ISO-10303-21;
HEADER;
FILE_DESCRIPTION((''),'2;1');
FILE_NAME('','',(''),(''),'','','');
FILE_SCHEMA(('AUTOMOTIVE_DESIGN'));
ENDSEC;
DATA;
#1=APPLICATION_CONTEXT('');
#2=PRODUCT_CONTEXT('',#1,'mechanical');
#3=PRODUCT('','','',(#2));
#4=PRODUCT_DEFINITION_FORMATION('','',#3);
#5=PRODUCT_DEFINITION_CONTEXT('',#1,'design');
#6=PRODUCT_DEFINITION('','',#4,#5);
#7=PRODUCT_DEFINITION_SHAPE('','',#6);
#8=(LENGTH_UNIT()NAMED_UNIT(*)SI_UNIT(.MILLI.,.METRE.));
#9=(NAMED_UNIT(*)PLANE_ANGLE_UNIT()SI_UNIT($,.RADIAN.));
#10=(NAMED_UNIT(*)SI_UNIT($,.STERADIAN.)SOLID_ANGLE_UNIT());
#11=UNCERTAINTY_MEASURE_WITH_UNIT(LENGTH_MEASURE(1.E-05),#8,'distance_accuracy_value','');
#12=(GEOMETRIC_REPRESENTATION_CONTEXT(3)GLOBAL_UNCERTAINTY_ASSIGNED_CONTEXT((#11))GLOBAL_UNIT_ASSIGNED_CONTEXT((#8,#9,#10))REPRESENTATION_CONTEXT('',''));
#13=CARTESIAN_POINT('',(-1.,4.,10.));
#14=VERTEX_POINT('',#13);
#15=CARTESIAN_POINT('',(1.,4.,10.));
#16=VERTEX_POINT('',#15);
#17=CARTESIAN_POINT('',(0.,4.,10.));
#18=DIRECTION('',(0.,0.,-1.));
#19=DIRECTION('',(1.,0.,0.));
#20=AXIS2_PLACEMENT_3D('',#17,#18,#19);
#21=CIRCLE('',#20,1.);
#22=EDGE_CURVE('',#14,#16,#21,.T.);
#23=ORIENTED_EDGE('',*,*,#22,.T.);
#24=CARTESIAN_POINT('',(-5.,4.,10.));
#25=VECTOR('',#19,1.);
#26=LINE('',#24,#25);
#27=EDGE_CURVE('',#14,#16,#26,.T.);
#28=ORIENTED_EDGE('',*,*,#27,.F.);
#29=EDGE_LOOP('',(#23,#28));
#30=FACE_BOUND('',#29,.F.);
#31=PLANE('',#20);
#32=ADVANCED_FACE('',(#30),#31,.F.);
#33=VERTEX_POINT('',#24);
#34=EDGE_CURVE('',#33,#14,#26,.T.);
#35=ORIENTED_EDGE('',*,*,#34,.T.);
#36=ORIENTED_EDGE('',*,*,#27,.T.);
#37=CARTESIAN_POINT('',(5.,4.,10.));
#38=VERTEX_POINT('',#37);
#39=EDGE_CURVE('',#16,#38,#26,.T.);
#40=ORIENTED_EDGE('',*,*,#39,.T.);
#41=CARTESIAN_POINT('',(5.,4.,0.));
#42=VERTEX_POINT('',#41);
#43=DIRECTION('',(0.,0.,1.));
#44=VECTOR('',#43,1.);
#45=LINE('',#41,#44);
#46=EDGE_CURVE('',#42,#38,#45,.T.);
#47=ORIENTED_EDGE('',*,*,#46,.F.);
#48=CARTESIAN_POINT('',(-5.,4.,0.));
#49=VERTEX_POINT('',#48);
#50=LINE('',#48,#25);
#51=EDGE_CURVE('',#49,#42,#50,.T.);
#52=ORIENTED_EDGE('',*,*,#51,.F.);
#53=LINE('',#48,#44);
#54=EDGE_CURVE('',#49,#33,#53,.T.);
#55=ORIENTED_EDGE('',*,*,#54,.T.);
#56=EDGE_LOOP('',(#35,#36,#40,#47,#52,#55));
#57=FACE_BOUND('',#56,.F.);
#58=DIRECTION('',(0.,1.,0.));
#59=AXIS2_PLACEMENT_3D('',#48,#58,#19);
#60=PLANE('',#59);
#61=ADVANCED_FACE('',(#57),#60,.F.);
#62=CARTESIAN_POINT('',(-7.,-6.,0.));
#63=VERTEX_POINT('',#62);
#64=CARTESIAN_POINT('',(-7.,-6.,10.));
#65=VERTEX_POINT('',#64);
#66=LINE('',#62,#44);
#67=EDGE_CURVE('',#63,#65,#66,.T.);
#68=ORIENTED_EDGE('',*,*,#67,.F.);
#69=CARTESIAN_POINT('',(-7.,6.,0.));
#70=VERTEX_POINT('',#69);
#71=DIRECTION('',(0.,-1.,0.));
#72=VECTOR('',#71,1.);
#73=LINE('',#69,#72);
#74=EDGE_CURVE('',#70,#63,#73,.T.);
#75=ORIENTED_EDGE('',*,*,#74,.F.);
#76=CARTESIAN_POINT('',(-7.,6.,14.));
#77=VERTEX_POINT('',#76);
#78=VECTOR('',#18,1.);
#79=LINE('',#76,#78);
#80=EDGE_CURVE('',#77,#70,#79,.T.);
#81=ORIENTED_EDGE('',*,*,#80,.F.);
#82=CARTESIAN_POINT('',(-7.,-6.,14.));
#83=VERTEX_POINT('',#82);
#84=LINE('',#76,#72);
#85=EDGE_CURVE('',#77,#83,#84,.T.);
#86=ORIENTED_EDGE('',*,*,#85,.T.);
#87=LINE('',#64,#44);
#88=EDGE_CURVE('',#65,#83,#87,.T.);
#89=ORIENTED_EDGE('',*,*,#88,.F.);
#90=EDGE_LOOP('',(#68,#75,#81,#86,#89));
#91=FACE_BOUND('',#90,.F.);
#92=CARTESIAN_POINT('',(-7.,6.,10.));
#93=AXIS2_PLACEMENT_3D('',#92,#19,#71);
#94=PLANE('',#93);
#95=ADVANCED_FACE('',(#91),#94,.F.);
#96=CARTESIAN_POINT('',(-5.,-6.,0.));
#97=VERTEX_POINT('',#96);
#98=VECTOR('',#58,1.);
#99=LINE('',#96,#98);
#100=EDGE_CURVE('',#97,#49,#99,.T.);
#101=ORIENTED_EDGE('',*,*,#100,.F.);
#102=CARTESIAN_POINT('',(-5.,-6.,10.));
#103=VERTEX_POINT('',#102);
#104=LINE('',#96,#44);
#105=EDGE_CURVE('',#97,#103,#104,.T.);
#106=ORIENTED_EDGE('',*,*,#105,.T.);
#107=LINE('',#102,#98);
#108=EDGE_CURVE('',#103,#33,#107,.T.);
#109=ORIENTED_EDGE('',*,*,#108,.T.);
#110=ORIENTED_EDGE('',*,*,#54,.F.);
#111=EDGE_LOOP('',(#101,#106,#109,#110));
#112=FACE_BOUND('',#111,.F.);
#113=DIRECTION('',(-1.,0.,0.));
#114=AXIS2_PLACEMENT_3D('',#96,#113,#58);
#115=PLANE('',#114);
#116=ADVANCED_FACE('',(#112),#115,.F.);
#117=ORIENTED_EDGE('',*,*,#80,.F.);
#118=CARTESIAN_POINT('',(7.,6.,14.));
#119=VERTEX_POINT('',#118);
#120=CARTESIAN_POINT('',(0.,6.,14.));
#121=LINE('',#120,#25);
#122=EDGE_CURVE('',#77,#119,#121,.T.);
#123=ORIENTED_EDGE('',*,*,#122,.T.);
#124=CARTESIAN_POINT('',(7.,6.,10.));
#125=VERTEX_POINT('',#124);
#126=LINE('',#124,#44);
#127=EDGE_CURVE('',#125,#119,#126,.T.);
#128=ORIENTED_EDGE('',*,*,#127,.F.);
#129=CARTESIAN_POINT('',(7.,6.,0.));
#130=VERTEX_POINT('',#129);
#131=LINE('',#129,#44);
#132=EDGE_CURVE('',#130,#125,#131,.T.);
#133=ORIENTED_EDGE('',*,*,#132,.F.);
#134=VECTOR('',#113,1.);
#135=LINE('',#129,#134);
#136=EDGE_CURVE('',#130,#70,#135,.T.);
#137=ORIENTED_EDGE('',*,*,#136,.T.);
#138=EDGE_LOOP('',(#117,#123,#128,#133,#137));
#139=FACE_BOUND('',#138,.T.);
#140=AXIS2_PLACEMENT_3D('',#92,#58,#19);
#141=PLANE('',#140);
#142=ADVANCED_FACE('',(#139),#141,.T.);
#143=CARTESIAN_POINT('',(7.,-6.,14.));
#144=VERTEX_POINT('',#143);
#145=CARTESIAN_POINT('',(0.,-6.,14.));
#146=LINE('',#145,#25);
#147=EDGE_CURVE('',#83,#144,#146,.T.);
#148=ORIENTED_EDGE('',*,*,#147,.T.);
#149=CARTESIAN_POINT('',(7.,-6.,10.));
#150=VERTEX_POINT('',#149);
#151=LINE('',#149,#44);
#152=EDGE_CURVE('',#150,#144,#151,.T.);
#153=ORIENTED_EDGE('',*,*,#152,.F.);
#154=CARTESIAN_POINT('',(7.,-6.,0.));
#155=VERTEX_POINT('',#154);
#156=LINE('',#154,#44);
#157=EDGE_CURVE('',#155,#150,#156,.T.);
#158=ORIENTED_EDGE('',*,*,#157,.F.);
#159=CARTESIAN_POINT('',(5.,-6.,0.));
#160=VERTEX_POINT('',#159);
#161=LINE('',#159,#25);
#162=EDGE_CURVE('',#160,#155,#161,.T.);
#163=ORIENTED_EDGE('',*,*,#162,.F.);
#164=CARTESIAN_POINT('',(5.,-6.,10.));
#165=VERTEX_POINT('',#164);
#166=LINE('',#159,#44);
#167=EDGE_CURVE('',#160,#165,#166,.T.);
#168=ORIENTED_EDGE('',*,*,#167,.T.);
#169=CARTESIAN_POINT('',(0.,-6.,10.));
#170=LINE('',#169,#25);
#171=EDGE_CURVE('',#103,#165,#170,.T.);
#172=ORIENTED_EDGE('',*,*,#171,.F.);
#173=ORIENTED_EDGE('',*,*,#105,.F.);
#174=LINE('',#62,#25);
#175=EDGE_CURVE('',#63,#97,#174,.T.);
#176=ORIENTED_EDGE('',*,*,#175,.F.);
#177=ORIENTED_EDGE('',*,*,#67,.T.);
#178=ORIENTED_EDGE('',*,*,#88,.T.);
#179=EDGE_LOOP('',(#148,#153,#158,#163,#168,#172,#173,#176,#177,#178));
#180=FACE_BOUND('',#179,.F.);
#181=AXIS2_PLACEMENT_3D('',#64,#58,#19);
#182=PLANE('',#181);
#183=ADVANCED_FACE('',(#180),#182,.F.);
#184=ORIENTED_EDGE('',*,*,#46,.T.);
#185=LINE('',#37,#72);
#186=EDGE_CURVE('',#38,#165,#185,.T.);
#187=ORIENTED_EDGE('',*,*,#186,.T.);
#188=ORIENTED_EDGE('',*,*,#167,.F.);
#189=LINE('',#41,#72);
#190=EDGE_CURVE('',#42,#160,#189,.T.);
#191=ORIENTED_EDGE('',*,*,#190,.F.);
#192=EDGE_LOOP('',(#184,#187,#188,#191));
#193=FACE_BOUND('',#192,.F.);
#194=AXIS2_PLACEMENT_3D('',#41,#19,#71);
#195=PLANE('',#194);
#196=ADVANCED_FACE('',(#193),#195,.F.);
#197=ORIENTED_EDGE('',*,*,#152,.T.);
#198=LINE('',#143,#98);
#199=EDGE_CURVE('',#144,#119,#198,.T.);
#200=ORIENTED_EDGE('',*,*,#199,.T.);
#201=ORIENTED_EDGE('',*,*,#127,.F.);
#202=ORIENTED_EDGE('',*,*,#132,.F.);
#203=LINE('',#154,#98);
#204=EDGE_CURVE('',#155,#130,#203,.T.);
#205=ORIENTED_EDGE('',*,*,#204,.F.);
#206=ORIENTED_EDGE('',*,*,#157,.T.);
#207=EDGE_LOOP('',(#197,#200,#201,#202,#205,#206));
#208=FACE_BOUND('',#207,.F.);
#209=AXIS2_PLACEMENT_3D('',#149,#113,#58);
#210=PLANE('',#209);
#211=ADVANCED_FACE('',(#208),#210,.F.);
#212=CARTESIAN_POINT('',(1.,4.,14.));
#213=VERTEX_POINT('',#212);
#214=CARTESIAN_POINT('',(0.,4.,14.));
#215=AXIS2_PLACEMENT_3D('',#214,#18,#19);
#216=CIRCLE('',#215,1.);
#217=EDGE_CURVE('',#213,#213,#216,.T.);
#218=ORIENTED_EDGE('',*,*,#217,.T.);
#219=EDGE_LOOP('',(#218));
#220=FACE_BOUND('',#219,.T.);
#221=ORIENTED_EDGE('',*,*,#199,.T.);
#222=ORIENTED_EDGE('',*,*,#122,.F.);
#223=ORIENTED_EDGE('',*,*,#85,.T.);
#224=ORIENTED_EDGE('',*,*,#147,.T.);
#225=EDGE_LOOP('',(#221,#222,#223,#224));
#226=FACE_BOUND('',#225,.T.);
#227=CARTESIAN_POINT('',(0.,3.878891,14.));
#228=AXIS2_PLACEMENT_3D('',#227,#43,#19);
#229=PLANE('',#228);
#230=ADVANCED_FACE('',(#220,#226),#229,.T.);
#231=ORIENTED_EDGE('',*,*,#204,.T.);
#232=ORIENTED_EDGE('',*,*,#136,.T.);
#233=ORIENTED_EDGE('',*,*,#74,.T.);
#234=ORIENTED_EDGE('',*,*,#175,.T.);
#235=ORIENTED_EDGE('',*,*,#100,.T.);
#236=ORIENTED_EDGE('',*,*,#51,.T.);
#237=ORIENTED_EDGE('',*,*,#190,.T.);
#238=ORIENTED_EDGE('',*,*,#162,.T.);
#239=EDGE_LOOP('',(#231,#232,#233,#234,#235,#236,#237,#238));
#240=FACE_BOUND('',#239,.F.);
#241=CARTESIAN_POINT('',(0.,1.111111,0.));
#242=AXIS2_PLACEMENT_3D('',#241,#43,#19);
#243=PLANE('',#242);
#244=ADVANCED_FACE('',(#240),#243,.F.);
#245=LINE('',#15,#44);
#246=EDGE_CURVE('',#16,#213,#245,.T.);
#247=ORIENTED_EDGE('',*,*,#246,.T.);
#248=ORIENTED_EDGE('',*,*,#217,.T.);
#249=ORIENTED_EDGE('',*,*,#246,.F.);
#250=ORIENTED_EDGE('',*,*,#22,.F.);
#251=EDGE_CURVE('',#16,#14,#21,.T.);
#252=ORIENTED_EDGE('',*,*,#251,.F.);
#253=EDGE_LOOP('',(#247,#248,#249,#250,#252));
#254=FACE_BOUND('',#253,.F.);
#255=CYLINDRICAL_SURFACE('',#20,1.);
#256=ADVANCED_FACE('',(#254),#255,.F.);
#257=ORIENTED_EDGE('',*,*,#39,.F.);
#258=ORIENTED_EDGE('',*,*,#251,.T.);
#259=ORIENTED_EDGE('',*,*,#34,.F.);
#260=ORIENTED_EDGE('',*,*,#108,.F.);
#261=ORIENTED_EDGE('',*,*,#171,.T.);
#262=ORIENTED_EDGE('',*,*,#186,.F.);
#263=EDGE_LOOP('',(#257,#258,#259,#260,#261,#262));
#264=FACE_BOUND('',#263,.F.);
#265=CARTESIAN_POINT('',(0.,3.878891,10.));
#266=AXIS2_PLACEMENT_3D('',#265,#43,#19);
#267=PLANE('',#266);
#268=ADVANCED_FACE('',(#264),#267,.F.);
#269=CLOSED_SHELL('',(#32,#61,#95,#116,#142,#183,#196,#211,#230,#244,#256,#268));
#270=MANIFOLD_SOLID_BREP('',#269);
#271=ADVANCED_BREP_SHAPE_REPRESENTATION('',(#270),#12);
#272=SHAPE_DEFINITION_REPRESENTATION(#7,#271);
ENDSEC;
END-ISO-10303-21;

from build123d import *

# Parameters (mm, degrees)
F1_DEPTH = 10
F2_W     = 14
F2_H     = 4.2422189787
F2_H_2   = 7.7577810213
F3_DEPTH = 4
F4_D     = 2
F4_DEPTH = 4.001


with BuildPart() as f1:
    # F0 (on Top) → F1 (new body)
    with BuildSketch(Plane.XY):
        Polygon((7, 6), (-7, 6), (-7, -6), (-5, -6), (-5, 4), (5, 4), (5, -6), (7, -6), align=None)
    extrude(amount=F1_DEPTH)

    # F2 (on face) → F3 (join)
    with BuildSketch(Plane.XY.offset(10)):
        with Locations((0, 3.8788905106)):
            Rectangle(F2_W, F2_H)
        with Locations((0, -2.1211094894)):
            Rectangle(F2_W, F2_H_2)
    extrude(amount=F3_DEPTH)

    # F4 (through all, one way)
    with BuildSketch(Plane(origin=(0, 0, 10), x_dir=(1, 0, 0), z_dir=(0, 0, -1))):
        with Locations((0, -4)):
            Circle(F4_D / 2)
    extrude(amount=-F4_DEPTH, mode=Mode.SUBTRACT)


solid = f1.part
